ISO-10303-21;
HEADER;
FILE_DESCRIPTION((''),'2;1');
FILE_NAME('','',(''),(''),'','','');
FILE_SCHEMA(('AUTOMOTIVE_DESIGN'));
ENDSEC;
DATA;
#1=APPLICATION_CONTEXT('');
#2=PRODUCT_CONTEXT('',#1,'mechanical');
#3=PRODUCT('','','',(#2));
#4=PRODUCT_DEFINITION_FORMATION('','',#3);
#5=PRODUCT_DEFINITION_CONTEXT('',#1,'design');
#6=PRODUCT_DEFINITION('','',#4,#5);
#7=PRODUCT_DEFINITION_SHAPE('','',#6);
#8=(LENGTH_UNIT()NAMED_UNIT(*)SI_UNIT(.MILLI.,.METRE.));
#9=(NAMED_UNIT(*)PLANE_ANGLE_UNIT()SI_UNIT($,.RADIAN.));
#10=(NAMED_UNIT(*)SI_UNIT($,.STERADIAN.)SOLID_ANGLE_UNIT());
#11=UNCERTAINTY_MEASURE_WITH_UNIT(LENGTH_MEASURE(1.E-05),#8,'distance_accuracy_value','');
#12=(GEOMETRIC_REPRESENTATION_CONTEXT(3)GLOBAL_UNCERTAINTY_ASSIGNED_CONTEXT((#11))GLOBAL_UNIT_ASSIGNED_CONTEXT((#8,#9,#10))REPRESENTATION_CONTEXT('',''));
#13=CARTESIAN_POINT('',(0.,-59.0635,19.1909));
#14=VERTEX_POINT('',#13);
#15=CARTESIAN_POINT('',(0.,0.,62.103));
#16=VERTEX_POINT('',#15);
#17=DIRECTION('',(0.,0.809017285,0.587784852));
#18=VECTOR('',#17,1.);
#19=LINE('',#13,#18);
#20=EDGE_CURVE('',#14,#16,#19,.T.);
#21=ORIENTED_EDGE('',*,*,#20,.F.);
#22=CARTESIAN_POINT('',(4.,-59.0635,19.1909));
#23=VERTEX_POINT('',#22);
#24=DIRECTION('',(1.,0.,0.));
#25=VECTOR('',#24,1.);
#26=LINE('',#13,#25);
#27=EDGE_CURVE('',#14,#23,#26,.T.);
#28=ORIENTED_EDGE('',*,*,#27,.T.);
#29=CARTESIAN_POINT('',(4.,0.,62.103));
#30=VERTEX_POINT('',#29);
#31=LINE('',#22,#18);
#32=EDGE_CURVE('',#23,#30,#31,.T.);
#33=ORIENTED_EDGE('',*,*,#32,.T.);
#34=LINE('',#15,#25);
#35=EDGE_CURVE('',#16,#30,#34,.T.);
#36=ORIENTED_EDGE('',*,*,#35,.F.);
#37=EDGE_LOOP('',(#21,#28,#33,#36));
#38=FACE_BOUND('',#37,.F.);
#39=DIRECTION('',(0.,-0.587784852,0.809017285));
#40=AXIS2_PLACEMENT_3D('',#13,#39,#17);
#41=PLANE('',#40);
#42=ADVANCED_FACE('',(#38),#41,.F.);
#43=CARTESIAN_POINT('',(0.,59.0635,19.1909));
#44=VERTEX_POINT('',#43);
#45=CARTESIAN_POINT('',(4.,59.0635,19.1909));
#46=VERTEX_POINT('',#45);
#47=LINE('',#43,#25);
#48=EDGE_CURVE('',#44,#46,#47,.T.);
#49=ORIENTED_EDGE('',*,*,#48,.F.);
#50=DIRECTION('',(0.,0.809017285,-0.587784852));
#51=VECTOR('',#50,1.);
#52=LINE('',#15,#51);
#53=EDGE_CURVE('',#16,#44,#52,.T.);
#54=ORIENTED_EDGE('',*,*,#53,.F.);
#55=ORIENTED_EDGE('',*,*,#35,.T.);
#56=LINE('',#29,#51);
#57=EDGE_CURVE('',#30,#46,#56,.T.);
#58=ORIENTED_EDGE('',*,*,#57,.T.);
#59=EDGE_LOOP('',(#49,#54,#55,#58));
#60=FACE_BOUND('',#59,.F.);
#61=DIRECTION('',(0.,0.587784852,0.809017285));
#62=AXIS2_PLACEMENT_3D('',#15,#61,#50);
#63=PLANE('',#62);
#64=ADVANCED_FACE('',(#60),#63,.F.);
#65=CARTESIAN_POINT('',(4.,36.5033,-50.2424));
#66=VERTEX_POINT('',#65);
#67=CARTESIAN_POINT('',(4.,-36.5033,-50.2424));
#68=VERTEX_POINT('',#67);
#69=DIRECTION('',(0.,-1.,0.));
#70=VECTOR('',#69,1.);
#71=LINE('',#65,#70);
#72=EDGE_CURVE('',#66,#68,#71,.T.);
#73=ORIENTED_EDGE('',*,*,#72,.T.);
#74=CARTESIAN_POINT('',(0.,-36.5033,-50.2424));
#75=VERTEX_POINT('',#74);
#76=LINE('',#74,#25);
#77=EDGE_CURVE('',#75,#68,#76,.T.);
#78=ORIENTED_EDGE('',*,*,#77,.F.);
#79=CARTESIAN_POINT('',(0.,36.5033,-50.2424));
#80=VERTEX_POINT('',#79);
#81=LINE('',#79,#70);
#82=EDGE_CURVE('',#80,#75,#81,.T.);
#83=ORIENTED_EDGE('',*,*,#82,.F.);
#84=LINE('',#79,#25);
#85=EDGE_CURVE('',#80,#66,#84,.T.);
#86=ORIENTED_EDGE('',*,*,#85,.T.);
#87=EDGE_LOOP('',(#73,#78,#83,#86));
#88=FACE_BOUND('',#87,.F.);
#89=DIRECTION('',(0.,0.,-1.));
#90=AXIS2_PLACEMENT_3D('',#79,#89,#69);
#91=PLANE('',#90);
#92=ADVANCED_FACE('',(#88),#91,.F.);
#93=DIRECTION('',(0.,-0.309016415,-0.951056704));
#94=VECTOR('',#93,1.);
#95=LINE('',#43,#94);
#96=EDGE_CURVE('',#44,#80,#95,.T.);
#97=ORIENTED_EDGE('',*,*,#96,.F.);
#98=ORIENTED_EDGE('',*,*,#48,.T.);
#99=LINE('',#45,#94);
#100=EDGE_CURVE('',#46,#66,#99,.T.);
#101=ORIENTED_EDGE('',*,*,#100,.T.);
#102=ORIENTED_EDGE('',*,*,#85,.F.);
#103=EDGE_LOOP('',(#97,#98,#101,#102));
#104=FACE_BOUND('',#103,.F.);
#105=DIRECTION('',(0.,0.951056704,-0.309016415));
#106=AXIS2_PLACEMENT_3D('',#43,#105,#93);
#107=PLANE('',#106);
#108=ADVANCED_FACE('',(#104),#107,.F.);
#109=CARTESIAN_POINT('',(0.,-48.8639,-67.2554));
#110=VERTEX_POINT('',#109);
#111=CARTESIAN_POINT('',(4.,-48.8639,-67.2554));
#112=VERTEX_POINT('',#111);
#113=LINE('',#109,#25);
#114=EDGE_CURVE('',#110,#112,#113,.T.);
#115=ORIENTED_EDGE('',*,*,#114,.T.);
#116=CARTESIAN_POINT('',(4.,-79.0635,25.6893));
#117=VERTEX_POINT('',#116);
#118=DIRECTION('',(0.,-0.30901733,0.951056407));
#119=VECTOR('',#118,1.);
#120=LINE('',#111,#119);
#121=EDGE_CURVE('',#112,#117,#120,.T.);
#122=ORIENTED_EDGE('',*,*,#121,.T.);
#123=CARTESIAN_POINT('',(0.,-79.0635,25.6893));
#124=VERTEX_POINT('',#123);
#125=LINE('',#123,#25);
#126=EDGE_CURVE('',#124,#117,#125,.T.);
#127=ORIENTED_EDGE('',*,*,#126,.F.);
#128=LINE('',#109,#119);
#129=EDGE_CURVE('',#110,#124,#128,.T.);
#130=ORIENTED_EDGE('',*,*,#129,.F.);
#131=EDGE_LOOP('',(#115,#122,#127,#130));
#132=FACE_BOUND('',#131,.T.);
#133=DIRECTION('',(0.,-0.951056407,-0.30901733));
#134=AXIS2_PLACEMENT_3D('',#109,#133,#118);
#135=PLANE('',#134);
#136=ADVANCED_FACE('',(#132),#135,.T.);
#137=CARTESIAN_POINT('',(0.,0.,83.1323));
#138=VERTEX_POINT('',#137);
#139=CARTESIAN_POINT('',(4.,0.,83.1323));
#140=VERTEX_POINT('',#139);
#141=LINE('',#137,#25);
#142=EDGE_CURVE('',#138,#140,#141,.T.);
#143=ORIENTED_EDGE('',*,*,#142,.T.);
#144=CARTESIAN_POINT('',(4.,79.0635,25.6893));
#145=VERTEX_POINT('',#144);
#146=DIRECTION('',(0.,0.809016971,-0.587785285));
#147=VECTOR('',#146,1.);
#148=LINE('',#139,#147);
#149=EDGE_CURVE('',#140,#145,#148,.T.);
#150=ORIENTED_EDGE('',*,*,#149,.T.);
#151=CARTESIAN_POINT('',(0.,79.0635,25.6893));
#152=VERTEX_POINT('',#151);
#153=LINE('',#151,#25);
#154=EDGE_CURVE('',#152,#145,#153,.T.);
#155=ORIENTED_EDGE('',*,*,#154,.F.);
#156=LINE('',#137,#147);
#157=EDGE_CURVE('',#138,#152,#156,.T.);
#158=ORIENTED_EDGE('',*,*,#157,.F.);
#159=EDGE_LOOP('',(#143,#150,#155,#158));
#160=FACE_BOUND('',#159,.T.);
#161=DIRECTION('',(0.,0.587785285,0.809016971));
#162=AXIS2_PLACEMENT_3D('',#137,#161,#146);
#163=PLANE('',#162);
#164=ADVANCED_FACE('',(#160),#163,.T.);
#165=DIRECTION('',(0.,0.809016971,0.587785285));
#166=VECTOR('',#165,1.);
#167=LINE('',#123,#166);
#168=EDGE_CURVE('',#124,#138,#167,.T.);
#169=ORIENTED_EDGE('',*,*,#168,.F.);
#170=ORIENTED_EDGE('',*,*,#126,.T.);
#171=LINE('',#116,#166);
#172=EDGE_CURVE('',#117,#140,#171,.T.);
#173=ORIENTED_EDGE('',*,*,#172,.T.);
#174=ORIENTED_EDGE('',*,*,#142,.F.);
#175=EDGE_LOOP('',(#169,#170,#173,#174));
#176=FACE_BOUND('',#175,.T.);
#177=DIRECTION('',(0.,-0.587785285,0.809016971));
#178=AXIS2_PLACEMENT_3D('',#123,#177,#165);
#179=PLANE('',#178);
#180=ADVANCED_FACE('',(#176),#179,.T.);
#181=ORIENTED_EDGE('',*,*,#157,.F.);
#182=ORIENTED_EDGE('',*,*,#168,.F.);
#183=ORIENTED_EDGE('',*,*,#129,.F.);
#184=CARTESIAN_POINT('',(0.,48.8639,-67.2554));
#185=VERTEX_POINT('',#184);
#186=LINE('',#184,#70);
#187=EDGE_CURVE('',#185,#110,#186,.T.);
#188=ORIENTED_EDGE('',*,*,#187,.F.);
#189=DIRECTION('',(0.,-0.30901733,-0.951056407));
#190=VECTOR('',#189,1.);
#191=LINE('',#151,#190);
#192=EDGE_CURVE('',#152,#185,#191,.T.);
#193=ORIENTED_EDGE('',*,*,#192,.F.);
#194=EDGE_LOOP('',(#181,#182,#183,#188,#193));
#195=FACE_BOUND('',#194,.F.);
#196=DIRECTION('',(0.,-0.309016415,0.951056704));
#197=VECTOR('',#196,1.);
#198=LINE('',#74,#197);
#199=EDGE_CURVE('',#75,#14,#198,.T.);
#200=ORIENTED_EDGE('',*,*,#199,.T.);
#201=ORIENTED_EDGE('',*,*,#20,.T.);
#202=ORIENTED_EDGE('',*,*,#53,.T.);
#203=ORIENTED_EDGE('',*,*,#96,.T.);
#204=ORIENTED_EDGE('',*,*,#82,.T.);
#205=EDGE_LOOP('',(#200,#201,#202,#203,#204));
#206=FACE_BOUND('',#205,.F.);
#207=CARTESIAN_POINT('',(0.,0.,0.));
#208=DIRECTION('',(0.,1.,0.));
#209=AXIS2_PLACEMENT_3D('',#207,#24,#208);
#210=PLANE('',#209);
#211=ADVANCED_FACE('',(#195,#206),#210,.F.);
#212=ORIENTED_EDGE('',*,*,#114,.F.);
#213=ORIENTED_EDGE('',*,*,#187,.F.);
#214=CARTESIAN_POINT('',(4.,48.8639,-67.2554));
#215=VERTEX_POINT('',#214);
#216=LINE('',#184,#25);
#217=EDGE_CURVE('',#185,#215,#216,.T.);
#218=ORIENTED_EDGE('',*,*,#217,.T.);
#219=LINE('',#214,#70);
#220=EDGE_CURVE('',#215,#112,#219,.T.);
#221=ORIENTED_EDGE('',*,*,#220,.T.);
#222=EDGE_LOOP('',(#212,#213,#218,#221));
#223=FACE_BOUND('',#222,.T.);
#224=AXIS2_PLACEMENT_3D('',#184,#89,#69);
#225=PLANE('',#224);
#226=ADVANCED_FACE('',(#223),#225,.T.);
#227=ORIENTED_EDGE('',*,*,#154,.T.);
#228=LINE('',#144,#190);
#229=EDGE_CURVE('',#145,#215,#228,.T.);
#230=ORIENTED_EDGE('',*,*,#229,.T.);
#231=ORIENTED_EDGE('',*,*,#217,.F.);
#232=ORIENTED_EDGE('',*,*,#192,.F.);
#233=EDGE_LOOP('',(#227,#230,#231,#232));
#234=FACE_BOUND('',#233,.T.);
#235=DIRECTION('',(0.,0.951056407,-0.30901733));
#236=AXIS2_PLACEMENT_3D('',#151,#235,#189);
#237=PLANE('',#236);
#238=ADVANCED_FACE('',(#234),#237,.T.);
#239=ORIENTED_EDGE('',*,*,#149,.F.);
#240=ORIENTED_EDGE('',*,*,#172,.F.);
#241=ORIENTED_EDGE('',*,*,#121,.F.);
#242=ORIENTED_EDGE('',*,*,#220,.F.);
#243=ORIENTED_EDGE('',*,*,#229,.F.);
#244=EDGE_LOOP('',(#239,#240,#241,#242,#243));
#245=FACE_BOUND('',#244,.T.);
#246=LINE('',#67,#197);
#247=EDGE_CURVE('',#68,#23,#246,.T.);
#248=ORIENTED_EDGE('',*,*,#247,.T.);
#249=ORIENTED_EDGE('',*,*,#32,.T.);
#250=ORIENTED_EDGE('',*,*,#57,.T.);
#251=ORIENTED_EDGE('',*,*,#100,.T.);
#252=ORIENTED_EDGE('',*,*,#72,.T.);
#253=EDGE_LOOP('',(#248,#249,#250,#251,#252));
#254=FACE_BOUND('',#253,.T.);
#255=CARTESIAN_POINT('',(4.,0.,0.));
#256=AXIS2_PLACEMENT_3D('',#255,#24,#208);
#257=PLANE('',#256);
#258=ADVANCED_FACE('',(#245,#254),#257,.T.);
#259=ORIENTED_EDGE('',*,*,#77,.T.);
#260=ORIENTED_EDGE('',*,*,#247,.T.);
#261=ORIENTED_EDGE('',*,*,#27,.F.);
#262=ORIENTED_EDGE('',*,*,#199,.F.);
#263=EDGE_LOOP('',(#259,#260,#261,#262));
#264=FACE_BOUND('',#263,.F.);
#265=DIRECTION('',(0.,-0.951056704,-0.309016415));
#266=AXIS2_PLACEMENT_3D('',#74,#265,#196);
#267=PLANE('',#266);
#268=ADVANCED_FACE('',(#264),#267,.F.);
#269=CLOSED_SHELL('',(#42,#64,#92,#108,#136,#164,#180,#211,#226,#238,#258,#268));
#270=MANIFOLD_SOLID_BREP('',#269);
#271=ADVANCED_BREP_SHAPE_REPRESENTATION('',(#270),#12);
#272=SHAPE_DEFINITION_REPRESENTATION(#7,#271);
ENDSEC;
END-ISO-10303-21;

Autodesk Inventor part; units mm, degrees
ref_plane "YZ Plane" through (0, 0, 0) normal (1, 0, 0) x (0, 1, 0)
ref_plane "XZ Plane" through (0, 0, 0) normal (0, 1, 0) x (-1, 0, 0)
ref_plane "XY Plane" through (0, 0, 0) normal (0, 0, 1) x (1, 0, 0)
sketch "Skizze1" plane through (0, 0, 0) normal (1, 0, 0) x (0, 1, 0)
  line L0 (0, 83.1323) -> (79.0635, 25.6893)
  line L1 (79.0635, 25.6893) -> (48.8639, -67.2554)
  line L2 (48.8639, -67.2554) -> (-48.8639, -67.2554)
  line L3 (-48.8639, -67.2554) -> (-79.0635, 25.6893)
  line L4 (-79.0635, 25.6893) -> (0, 83.1323)
  line L5 (0, 62.103) -> (59.0635, 19.1909)
  line L6 (59.0635, 19.1909) -> (36.5033, -50.2424)
  line L7 (36.5033, -50.2424) -> (-36.5033, -50.2424)
  line L8 (-36.5033, -50.2424) -> (-59.0635, 19.1909)
  line L9 (-59.0635, 19.1909) -> (0, 62.103)
  point P0 (0, 0)
  point P1 (0, 0)
  point P2 (0, 0)
  dimension "d0" = 158.127
  dimension "d4" = 118.127
extrude "Extrusion2" add sketch "Skizze1" along normal blind 4
